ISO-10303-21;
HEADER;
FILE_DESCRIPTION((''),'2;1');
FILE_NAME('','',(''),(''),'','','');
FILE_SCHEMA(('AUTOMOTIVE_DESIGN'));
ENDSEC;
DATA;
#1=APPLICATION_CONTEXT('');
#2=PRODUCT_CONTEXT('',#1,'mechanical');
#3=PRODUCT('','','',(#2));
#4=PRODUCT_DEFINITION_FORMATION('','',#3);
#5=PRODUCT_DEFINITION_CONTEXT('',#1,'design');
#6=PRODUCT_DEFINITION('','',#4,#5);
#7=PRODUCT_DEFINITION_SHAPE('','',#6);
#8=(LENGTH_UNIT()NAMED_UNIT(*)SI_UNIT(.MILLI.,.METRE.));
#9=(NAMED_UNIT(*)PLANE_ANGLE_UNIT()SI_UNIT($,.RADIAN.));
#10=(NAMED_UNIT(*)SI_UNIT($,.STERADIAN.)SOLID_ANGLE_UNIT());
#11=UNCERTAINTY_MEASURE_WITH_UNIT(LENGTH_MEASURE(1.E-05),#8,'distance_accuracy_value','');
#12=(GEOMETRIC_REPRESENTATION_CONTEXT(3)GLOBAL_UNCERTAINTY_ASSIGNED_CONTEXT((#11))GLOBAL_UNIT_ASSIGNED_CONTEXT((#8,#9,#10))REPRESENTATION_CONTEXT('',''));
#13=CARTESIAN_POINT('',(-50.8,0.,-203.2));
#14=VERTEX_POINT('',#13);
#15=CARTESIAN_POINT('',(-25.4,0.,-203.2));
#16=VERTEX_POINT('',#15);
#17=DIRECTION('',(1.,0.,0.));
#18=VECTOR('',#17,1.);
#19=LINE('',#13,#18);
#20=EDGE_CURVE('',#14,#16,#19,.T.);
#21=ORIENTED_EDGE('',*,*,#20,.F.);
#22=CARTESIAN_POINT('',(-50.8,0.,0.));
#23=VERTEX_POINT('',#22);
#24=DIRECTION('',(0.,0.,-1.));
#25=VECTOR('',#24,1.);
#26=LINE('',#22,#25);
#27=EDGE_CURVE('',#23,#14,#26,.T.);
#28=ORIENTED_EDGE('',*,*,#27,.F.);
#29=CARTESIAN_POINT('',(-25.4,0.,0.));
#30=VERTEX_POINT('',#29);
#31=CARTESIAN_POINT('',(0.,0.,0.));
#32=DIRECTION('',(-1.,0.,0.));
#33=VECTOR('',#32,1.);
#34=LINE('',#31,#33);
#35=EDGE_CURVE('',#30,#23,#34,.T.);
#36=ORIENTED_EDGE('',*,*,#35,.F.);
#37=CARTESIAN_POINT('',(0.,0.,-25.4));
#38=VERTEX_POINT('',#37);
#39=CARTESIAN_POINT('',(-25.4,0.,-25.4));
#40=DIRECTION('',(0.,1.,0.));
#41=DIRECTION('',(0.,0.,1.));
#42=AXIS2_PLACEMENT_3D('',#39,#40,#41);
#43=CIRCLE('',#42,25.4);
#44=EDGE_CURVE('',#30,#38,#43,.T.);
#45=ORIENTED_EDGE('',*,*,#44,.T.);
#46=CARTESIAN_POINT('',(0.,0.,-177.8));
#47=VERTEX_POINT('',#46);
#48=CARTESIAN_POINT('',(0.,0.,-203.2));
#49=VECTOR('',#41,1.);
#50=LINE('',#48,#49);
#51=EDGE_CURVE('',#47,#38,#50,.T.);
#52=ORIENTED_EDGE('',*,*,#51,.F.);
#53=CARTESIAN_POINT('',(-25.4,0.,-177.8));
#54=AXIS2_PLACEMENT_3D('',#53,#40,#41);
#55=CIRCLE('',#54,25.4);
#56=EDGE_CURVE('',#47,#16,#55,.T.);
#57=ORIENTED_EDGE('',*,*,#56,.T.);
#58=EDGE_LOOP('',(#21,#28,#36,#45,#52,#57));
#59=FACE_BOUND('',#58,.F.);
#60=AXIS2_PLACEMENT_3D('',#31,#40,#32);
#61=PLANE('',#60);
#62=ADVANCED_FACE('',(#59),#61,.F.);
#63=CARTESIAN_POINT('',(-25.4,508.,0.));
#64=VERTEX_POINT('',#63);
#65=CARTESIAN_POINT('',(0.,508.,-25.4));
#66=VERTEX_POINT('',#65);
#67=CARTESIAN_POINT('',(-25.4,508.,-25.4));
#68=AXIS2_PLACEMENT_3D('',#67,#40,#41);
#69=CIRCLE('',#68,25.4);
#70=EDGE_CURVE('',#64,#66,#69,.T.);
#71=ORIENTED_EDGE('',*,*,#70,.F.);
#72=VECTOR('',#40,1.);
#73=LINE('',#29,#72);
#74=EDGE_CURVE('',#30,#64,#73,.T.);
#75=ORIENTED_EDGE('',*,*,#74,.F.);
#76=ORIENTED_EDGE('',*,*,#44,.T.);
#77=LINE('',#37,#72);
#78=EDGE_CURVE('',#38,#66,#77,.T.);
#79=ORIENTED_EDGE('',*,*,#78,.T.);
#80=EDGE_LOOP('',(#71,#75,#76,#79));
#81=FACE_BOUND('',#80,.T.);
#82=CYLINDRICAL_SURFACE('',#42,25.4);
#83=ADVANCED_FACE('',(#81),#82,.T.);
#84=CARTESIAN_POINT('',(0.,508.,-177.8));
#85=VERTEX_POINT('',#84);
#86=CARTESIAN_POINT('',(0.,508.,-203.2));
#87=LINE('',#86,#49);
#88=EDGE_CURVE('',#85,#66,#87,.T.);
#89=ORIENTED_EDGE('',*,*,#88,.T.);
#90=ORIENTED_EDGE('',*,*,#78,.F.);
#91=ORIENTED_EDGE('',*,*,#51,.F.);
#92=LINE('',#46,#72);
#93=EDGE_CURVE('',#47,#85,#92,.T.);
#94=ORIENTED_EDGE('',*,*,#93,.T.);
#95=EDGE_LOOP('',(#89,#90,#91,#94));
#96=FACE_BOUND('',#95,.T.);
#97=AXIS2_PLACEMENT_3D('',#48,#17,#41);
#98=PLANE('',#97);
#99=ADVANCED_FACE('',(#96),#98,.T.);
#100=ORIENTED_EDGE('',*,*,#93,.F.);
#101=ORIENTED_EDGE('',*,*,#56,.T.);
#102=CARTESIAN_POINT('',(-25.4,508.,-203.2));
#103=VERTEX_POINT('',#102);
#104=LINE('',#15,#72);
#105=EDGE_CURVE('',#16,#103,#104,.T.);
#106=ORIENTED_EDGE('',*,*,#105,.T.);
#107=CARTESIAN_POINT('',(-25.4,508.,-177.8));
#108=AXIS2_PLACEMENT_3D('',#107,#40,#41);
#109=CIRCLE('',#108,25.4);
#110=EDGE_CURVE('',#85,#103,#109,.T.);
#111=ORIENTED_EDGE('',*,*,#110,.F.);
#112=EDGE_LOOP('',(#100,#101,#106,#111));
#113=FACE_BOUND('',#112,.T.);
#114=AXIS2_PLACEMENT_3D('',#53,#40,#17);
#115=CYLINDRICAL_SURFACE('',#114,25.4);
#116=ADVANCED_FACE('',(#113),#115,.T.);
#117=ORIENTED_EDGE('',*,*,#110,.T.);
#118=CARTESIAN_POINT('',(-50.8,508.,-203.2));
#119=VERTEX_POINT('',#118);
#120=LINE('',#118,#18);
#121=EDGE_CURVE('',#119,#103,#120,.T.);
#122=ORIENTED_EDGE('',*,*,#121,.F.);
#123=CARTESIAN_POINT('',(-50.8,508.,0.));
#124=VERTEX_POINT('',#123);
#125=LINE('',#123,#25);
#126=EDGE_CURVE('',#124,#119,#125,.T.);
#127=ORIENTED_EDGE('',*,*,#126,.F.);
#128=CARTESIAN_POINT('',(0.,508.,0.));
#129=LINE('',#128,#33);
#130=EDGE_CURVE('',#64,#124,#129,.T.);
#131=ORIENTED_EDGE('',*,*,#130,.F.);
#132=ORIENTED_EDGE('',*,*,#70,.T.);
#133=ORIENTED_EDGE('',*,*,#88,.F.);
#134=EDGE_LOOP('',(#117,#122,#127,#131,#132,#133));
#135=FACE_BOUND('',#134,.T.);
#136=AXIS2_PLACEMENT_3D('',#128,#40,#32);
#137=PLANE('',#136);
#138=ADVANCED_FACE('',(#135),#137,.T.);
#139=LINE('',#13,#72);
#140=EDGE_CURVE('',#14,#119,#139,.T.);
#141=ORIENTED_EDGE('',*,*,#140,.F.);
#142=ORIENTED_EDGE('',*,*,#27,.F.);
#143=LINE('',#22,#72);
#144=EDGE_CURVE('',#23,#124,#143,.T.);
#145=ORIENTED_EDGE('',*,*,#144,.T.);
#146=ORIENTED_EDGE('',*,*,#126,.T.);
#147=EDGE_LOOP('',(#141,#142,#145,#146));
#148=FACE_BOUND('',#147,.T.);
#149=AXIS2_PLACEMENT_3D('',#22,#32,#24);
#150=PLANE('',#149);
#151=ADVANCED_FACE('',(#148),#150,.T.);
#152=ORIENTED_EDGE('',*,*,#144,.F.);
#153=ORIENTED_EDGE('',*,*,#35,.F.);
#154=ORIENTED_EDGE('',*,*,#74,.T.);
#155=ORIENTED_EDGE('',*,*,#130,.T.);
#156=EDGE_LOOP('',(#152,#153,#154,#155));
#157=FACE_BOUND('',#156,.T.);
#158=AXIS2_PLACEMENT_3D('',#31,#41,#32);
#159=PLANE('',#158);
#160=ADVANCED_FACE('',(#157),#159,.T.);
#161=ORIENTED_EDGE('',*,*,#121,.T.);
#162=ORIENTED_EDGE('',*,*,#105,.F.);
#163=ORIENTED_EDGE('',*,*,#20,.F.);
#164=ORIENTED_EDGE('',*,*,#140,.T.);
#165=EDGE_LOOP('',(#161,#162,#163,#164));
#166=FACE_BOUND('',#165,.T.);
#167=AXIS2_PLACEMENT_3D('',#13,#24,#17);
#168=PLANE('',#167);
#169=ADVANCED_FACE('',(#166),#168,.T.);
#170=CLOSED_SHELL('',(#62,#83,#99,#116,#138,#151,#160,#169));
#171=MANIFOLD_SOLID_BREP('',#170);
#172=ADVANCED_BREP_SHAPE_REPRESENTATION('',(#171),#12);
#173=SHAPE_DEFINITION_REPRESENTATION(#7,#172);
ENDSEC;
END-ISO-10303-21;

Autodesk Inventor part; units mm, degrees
ref_plane "XZ Plane" through (0, 0, 0) normal (0, 1, 0) x (-1, 0, 0)
ref_plane "XY Plane" through (0, 0, 0) normal (0, 0, 1) x (1, 0, 0)
sketch "Sketch1" plane through (0, 0, 0) normal (0, 1, 0) x (-1, 0, 0)
  line L0 (0, 0) -> (50.8, 0)
  line L1 (50.8, 0) -> (50.8, -203.2)
  line L2 (50.8, -203.2) -> (0, -203.2)
  line L3 (0, -203.2) -> (0, 0)
  dimension "d0" = 50.8
  dimension "d1" = 203.2
extrude "Extrusion1" add sketch "Sketch1" along normal blind 508
fillet "Fillet1" radius 25.4 1 edges at (0, 254, 0)
fillet "Fillet2" radius 25.4 1 edges at (0, 254, -203.2)
ref_plane "Work Plane1" through (-25.4, 0, 0) normal (1, 0, 0) x (0, 1, 0)
properties part number "SailPost-ver2-1111-2021"
